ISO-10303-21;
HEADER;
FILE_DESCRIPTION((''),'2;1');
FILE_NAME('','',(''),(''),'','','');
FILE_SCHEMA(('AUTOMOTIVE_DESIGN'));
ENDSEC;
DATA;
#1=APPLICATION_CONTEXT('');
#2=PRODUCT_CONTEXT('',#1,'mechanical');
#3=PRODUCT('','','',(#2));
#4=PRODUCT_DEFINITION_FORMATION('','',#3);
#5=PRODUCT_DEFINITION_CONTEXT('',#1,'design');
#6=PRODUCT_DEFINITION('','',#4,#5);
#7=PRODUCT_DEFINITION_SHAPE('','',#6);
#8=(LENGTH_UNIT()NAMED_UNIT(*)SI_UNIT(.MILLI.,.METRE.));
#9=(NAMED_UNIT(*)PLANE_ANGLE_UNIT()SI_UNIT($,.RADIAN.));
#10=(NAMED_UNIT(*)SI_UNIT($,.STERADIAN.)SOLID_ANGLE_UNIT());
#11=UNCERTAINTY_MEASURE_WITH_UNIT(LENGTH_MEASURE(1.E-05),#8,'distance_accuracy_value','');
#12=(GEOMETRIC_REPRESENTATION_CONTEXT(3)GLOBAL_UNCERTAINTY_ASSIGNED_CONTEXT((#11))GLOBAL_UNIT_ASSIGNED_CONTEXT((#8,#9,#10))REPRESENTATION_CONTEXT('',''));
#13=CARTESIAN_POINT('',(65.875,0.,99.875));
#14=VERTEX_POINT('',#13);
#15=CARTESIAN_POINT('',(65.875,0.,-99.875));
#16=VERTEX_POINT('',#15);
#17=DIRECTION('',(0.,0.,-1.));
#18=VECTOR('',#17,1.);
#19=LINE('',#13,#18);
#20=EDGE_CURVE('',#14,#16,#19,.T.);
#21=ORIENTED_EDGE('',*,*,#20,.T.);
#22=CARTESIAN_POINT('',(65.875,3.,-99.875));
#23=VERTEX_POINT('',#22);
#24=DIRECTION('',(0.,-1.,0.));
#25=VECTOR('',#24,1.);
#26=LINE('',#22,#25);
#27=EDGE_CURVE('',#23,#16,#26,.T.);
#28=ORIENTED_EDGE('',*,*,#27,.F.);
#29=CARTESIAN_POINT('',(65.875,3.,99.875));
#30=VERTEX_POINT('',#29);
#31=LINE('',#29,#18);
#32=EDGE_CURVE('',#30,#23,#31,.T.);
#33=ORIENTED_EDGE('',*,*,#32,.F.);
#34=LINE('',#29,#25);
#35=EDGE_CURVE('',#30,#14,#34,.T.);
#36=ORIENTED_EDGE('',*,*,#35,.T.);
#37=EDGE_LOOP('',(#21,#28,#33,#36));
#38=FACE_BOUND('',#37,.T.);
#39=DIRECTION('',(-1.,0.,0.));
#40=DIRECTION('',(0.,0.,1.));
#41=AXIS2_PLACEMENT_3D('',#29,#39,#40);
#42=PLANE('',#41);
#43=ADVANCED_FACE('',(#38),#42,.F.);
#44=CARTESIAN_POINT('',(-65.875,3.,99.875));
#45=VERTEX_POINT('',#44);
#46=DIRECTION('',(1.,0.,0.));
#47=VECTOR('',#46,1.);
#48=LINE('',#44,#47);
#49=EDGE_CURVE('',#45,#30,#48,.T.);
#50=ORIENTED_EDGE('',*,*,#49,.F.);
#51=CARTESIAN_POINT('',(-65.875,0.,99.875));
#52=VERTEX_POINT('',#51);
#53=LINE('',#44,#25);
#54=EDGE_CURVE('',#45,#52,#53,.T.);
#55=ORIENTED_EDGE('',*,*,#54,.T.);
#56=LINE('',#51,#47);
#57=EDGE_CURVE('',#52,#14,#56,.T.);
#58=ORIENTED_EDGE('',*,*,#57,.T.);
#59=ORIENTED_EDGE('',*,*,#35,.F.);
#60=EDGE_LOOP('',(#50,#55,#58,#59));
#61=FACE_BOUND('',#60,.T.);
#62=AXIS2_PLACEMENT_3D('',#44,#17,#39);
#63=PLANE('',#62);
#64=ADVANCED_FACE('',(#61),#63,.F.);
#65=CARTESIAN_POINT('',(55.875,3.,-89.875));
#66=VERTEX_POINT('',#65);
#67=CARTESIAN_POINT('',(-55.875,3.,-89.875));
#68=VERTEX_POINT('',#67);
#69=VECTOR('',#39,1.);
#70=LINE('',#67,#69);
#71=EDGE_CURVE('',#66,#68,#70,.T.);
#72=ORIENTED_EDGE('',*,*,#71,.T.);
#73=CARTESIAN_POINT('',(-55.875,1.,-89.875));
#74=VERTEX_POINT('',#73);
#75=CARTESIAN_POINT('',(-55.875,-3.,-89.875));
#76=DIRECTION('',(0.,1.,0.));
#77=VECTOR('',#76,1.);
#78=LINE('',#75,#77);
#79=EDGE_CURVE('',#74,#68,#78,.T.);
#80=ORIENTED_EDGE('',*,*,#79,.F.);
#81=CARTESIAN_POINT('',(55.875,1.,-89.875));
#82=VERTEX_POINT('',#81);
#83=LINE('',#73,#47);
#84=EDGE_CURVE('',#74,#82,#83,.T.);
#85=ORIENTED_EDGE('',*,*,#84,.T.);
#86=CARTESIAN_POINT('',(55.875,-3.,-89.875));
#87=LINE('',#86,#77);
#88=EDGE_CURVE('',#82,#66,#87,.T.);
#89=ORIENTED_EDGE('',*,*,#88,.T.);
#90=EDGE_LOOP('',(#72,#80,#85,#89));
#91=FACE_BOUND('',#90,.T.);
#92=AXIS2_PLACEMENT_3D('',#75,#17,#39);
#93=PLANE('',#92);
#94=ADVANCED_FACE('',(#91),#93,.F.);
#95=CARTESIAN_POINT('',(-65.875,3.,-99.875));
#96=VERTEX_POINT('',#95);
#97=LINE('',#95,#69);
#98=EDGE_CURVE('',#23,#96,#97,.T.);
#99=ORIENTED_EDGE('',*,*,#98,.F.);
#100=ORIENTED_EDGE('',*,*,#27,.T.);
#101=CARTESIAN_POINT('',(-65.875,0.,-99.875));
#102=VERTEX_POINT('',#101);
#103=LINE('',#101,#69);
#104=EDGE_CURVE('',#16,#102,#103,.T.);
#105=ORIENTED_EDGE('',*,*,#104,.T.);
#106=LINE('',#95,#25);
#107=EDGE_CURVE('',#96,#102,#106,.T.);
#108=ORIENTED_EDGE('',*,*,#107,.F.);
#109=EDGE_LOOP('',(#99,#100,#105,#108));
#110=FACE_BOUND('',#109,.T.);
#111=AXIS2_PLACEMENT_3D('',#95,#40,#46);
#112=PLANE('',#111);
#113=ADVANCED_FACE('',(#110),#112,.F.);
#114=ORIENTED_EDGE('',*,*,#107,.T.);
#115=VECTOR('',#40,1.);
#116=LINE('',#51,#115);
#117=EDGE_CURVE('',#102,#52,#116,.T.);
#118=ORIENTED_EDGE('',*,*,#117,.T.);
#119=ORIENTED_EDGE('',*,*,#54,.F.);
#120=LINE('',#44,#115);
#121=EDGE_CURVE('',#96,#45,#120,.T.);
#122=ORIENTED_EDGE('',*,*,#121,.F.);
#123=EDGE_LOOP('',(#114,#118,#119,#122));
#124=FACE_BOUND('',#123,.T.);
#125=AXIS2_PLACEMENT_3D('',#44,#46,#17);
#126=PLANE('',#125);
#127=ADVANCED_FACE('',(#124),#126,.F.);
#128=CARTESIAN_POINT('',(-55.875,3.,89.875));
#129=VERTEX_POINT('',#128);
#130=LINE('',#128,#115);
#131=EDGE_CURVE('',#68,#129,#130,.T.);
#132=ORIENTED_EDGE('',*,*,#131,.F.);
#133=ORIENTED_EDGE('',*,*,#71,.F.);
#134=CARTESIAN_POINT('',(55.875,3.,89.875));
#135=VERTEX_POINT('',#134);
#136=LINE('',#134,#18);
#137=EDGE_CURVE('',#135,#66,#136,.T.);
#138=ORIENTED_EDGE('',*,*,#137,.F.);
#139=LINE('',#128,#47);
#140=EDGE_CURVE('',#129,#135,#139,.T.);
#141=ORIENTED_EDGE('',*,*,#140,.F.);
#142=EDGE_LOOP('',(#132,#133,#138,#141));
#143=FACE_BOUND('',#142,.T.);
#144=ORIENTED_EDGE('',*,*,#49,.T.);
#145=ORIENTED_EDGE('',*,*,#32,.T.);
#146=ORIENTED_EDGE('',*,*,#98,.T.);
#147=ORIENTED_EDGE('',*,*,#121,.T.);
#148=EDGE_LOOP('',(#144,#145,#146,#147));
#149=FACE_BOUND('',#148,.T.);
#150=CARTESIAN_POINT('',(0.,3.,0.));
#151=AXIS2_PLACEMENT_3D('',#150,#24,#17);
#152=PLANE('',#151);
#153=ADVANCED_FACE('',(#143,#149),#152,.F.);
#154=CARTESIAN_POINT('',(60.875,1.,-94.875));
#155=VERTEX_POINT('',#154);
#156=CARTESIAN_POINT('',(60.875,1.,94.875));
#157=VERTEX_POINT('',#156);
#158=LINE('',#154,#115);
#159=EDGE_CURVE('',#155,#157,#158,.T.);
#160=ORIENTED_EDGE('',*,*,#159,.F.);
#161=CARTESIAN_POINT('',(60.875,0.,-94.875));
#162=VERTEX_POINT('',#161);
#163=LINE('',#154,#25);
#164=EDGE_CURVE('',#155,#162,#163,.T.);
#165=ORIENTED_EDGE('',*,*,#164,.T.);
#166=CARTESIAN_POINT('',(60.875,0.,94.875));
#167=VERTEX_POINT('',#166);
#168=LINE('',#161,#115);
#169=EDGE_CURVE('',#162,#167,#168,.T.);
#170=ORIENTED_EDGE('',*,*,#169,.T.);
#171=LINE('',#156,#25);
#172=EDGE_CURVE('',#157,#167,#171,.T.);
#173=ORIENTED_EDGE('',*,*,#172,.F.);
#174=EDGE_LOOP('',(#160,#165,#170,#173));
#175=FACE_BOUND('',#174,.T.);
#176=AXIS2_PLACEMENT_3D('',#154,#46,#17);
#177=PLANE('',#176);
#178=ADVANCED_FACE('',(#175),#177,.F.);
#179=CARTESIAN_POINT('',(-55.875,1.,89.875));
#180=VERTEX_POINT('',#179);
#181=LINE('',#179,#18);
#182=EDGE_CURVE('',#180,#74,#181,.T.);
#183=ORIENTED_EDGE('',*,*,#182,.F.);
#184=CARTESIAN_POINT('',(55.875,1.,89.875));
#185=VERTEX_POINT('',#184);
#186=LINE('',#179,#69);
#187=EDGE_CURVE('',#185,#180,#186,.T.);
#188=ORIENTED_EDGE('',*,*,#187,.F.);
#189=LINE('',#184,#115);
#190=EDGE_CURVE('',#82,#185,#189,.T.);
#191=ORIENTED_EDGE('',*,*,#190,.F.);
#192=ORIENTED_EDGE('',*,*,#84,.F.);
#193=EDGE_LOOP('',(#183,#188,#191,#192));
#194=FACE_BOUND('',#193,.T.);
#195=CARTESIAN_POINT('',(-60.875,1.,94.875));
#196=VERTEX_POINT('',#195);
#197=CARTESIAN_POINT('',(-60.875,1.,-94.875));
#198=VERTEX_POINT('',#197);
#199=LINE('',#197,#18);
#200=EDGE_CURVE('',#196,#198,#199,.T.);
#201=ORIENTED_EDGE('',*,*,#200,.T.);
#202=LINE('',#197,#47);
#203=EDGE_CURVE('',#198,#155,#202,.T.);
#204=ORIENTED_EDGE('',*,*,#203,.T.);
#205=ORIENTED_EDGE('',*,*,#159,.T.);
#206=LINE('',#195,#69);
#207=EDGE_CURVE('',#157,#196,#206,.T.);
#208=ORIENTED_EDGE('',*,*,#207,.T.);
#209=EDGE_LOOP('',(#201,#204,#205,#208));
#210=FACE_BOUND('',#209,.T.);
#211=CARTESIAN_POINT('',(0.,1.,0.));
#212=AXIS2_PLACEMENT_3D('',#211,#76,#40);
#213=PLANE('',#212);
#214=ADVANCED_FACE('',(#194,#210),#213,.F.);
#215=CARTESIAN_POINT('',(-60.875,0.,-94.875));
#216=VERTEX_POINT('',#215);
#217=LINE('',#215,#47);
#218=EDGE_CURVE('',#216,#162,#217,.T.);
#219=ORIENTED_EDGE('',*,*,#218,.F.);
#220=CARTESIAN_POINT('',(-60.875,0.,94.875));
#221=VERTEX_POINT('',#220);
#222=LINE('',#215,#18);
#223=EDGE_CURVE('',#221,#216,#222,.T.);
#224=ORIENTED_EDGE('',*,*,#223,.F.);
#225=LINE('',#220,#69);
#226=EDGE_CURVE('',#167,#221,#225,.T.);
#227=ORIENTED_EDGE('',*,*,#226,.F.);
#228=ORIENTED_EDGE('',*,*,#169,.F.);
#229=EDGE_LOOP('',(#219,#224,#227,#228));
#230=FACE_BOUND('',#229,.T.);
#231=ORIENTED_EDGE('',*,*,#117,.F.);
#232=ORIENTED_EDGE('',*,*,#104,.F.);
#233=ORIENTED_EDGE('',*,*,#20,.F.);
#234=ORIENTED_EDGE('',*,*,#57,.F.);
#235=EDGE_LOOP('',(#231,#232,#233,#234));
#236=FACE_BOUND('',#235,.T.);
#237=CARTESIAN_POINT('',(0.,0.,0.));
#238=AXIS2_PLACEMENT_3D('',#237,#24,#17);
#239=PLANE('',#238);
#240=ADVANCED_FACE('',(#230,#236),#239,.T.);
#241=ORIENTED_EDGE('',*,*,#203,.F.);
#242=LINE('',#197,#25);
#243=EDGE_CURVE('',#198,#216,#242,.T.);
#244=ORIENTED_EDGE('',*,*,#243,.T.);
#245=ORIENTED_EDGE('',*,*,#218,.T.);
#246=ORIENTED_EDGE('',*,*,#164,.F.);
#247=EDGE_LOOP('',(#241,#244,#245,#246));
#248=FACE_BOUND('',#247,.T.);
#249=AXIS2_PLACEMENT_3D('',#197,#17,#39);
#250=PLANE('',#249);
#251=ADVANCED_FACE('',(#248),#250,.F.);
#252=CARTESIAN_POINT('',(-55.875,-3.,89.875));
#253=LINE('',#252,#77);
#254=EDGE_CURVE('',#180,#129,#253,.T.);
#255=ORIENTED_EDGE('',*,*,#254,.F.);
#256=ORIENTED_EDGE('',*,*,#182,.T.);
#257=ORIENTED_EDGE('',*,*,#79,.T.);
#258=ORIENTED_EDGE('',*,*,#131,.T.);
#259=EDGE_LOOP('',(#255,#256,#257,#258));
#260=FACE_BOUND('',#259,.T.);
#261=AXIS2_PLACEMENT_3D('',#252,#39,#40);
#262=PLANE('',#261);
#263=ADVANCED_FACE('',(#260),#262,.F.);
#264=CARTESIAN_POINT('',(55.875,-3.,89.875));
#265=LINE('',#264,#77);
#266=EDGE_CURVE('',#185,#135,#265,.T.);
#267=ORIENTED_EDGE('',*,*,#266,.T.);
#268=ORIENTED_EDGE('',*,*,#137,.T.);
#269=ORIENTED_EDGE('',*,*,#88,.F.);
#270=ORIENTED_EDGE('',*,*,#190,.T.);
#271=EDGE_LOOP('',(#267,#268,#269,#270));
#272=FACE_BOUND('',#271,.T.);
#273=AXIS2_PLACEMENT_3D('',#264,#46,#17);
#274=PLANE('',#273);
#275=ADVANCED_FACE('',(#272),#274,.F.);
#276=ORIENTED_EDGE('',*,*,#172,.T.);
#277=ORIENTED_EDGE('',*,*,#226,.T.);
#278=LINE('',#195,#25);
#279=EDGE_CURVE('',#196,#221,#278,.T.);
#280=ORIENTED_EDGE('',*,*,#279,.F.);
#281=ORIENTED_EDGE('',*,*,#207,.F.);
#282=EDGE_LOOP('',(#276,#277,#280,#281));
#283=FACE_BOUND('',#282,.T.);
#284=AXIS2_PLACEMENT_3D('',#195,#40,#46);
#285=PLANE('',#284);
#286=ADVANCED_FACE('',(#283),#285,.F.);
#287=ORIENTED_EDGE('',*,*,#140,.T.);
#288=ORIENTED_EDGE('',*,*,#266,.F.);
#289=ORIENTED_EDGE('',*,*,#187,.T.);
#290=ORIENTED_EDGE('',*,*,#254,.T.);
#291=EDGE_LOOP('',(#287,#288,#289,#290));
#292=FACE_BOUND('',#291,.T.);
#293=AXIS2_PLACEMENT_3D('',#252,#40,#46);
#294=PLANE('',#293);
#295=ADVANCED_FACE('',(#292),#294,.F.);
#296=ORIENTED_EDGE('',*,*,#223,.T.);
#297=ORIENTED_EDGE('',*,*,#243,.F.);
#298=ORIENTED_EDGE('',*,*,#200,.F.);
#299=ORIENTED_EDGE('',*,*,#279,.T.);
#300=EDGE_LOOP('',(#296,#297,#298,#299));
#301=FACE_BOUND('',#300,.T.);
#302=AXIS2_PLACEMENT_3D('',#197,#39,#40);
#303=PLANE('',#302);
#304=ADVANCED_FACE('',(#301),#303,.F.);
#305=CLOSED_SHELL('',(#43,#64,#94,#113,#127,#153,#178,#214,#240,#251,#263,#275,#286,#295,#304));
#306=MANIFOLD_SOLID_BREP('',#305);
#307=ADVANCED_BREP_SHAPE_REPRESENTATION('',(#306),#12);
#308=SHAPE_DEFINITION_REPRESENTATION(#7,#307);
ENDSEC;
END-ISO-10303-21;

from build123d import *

# Parameters (mm, degrees)
SKETCH_1_W          = 131.75
SKETCH_1_H          = 199.75
EXTRUDE_1_DEPTH     = 3
SKETCH_2_W          = 111.75
SKETCH_2_H          = 179.75
CUT_EXTRUDE_1_DEPTH = 6
SKETCH_3_W          = 121.75
SKETCH_3_H          = 189.75
CUT_EXTRUDE_2_DEPTH = 1


with BuildPart() as part:
    # Эскиз1 → Бобышка-Вытянуть1 (new body)
    with BuildSketch(Plane(origin=(0, 0, 0), x_dir=(1, 0, 0), z_dir=(0, 1, 0))):
        Rectangle(SKETCH_1_W, SKETCH_1_H)
    extrude(amount=EXTRUDE_1_DEPTH)

    # Эскиз2 → Вырез-Вытянуть1 (cut)
    with BuildSketch(Plane(origin=(0, 3, 0), x_dir=(1, 0, 0), z_dir=(0, 1, 0))):
        Rectangle(SKETCH_2_W, SKETCH_2_H)
    extrude(amount=-CUT_EXTRUDE_1_DEPTH, mode=Mode.SUBTRACT)

    # Эскиз3 → Вырез-Вытянуть2 (cut)
    with BuildSketch(Plane.XZ):
        Rectangle(SKETCH_3_W, SKETCH_3_H)
    extrude(amount=-CUT_EXTRUDE_2_DEPTH, mode=Mode.SUBTRACT)


solid = part.part
